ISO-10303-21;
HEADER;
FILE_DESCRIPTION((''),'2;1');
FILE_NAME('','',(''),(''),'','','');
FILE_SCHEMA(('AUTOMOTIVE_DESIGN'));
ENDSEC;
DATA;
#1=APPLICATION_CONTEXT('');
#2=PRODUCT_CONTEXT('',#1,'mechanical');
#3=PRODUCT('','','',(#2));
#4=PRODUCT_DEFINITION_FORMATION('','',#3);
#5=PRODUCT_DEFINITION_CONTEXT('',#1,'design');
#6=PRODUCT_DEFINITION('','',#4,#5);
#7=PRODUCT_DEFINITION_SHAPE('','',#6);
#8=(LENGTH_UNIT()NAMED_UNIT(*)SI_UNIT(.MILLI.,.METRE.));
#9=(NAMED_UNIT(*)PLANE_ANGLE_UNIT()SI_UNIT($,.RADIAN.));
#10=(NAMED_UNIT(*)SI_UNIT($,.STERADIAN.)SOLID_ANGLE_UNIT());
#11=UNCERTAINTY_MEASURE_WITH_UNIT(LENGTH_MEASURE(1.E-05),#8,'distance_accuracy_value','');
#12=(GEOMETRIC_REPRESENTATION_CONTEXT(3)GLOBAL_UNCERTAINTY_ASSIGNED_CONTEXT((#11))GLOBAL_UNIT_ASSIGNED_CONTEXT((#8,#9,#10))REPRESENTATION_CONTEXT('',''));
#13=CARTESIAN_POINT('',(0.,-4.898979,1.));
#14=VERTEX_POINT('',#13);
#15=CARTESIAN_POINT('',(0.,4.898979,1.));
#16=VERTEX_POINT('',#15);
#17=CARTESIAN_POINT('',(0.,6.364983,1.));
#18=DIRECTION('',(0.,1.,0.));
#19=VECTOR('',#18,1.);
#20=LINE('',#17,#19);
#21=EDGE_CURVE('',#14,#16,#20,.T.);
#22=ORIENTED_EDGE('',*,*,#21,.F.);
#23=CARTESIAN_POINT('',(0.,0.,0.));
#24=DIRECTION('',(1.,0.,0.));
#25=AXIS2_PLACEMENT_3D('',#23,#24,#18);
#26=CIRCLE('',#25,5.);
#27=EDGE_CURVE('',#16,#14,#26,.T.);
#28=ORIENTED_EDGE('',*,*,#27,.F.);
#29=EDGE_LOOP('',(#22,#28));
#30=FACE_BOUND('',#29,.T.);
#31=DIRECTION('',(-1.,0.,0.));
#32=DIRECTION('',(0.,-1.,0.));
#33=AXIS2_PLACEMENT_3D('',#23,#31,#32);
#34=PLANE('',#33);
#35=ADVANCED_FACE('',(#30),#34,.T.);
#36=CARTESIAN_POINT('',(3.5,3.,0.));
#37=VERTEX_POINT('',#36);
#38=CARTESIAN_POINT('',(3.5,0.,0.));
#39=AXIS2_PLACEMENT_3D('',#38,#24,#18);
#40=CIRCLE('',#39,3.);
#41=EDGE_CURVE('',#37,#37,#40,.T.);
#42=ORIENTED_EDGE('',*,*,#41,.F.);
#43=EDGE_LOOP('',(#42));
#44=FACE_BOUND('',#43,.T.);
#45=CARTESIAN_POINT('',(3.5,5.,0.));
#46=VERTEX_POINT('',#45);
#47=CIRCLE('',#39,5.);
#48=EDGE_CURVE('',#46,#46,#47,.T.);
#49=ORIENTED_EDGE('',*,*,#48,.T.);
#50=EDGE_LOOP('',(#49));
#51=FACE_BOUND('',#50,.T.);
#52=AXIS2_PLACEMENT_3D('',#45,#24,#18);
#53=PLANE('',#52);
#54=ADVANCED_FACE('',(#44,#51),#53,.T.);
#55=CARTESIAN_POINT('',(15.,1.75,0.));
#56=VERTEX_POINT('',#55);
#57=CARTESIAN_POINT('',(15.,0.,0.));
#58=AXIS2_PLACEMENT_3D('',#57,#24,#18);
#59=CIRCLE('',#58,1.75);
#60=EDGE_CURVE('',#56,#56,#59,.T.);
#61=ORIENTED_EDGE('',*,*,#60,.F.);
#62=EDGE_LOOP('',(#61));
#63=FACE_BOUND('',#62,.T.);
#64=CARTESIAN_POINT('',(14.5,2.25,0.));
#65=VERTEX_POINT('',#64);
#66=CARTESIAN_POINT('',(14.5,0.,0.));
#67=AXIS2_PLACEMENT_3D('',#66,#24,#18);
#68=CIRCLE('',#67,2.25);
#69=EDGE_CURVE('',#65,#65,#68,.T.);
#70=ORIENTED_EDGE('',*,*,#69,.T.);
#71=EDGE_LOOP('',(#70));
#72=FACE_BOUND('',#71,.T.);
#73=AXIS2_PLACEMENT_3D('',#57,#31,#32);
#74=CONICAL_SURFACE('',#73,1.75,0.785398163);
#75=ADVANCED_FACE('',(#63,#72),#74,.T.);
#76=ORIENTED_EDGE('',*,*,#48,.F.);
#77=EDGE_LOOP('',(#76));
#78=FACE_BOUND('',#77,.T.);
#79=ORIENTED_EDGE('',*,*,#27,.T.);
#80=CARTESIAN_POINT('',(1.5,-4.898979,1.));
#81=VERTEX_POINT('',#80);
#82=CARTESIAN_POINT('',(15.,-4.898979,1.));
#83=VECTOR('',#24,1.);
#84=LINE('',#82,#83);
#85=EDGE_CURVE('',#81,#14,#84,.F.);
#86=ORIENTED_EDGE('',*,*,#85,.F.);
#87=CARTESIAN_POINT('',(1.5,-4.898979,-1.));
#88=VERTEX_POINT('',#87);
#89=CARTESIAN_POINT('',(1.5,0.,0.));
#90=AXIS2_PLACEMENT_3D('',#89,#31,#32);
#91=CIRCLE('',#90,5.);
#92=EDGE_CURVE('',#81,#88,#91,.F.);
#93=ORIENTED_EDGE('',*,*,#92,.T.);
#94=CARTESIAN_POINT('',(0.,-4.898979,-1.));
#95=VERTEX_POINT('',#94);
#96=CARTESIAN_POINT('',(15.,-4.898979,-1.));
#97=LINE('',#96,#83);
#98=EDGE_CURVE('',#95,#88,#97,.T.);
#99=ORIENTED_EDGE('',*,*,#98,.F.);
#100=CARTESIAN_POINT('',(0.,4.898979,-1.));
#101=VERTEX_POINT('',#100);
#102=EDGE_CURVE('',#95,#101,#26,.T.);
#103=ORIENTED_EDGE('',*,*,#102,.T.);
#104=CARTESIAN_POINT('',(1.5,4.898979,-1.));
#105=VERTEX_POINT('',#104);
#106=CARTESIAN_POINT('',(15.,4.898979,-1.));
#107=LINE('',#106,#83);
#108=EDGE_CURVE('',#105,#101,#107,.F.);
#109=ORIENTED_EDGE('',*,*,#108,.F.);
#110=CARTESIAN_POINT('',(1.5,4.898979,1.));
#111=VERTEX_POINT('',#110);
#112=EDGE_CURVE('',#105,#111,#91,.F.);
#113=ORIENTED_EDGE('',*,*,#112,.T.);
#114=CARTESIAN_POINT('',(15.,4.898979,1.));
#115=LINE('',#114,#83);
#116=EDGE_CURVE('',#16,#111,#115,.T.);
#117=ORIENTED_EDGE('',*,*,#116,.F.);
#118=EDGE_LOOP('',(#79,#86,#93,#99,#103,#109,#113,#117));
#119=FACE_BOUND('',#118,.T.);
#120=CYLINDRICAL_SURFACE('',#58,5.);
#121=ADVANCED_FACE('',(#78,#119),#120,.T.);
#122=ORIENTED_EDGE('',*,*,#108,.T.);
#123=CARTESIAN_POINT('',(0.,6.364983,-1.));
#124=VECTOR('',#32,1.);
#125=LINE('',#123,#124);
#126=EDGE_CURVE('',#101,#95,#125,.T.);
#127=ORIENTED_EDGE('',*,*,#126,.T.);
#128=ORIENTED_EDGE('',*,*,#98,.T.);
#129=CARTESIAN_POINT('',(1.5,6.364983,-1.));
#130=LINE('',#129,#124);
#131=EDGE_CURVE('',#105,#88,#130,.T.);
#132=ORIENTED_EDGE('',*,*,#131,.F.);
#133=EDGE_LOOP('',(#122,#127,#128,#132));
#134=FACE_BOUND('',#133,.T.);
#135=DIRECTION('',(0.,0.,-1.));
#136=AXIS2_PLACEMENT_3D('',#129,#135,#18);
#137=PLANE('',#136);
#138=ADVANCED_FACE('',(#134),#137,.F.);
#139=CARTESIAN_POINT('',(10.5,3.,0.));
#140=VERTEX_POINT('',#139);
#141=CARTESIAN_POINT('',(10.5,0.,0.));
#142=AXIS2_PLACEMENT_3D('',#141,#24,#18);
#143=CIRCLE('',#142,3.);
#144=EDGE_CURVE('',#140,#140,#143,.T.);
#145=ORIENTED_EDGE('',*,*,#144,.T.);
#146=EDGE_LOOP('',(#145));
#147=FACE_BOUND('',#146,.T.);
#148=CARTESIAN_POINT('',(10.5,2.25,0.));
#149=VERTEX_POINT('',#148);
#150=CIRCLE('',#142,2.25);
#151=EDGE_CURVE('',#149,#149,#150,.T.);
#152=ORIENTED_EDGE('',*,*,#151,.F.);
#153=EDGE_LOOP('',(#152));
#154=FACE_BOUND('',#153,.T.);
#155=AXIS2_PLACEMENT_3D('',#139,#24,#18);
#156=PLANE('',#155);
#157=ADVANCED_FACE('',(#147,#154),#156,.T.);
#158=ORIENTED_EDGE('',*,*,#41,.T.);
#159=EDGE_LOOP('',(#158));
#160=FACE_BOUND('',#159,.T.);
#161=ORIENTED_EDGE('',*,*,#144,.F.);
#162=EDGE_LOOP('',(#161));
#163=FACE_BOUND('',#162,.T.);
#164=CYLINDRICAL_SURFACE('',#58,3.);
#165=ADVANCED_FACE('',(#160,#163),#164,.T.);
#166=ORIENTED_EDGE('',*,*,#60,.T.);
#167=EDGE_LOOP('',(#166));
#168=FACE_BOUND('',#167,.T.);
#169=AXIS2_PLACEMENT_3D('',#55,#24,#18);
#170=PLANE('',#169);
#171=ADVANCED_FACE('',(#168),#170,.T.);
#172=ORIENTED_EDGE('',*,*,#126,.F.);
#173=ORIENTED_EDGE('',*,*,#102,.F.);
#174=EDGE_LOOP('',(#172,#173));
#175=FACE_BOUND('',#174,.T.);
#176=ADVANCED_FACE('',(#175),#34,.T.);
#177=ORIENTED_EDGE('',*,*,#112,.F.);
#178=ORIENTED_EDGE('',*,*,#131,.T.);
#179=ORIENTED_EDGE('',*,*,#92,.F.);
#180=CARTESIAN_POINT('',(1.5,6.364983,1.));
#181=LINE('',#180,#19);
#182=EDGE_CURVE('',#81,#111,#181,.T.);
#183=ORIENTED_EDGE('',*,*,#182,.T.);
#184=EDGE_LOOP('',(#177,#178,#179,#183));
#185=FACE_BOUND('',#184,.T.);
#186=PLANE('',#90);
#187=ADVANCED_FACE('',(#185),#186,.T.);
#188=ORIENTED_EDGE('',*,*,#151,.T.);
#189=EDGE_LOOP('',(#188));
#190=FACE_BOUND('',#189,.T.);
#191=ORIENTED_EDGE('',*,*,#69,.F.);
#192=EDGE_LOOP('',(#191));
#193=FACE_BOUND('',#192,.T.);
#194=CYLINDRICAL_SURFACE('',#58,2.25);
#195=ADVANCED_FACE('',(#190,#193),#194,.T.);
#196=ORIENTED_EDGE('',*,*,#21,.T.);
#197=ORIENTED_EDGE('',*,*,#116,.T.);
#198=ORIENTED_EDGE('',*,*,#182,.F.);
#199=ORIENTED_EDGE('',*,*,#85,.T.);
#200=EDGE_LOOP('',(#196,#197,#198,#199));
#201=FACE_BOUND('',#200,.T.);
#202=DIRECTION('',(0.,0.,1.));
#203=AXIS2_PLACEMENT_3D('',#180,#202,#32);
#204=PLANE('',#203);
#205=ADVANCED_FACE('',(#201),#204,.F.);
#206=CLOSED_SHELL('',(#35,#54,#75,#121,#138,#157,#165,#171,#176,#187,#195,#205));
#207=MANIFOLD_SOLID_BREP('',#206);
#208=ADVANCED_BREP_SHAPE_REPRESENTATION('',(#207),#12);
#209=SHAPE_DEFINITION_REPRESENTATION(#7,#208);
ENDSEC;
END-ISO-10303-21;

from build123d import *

# Parameters (mm, degrees)
ESQUISSE2_W             = 2
ESQUISSE2_H             = 12.833084331
ENL_V_MAT_EXTRU_1_DEPTH = 1.5


with BuildPart() as part:
    # Esquisse1 → Révolution1 (revolve)
    with BuildSketch(Plane.XY):
        Polygon((0, 0), (0, 5), (3.5, 5), (3.5, 3), (10.5, 3), (10.5, 2.25), (14.5, 2.25), (15, 1.75), (15, 0), align=None)
    revolve(axis=Axis((15, 0, 0), (-1, 0, 0)))

    # Esquisse2 → Enlèv. mat.-Extru.1 (cut)
    with BuildSketch(Plane.ZY):
        with Locations((0, -0.051559527)):
            Rectangle(ESQUISSE2_W, ESQUISSE2_H)
    extrude(amount=-ENL_V_MAT_EXTRU_1_DEPTH, mode=Mode.SUBTRACT)


solid = part.part
